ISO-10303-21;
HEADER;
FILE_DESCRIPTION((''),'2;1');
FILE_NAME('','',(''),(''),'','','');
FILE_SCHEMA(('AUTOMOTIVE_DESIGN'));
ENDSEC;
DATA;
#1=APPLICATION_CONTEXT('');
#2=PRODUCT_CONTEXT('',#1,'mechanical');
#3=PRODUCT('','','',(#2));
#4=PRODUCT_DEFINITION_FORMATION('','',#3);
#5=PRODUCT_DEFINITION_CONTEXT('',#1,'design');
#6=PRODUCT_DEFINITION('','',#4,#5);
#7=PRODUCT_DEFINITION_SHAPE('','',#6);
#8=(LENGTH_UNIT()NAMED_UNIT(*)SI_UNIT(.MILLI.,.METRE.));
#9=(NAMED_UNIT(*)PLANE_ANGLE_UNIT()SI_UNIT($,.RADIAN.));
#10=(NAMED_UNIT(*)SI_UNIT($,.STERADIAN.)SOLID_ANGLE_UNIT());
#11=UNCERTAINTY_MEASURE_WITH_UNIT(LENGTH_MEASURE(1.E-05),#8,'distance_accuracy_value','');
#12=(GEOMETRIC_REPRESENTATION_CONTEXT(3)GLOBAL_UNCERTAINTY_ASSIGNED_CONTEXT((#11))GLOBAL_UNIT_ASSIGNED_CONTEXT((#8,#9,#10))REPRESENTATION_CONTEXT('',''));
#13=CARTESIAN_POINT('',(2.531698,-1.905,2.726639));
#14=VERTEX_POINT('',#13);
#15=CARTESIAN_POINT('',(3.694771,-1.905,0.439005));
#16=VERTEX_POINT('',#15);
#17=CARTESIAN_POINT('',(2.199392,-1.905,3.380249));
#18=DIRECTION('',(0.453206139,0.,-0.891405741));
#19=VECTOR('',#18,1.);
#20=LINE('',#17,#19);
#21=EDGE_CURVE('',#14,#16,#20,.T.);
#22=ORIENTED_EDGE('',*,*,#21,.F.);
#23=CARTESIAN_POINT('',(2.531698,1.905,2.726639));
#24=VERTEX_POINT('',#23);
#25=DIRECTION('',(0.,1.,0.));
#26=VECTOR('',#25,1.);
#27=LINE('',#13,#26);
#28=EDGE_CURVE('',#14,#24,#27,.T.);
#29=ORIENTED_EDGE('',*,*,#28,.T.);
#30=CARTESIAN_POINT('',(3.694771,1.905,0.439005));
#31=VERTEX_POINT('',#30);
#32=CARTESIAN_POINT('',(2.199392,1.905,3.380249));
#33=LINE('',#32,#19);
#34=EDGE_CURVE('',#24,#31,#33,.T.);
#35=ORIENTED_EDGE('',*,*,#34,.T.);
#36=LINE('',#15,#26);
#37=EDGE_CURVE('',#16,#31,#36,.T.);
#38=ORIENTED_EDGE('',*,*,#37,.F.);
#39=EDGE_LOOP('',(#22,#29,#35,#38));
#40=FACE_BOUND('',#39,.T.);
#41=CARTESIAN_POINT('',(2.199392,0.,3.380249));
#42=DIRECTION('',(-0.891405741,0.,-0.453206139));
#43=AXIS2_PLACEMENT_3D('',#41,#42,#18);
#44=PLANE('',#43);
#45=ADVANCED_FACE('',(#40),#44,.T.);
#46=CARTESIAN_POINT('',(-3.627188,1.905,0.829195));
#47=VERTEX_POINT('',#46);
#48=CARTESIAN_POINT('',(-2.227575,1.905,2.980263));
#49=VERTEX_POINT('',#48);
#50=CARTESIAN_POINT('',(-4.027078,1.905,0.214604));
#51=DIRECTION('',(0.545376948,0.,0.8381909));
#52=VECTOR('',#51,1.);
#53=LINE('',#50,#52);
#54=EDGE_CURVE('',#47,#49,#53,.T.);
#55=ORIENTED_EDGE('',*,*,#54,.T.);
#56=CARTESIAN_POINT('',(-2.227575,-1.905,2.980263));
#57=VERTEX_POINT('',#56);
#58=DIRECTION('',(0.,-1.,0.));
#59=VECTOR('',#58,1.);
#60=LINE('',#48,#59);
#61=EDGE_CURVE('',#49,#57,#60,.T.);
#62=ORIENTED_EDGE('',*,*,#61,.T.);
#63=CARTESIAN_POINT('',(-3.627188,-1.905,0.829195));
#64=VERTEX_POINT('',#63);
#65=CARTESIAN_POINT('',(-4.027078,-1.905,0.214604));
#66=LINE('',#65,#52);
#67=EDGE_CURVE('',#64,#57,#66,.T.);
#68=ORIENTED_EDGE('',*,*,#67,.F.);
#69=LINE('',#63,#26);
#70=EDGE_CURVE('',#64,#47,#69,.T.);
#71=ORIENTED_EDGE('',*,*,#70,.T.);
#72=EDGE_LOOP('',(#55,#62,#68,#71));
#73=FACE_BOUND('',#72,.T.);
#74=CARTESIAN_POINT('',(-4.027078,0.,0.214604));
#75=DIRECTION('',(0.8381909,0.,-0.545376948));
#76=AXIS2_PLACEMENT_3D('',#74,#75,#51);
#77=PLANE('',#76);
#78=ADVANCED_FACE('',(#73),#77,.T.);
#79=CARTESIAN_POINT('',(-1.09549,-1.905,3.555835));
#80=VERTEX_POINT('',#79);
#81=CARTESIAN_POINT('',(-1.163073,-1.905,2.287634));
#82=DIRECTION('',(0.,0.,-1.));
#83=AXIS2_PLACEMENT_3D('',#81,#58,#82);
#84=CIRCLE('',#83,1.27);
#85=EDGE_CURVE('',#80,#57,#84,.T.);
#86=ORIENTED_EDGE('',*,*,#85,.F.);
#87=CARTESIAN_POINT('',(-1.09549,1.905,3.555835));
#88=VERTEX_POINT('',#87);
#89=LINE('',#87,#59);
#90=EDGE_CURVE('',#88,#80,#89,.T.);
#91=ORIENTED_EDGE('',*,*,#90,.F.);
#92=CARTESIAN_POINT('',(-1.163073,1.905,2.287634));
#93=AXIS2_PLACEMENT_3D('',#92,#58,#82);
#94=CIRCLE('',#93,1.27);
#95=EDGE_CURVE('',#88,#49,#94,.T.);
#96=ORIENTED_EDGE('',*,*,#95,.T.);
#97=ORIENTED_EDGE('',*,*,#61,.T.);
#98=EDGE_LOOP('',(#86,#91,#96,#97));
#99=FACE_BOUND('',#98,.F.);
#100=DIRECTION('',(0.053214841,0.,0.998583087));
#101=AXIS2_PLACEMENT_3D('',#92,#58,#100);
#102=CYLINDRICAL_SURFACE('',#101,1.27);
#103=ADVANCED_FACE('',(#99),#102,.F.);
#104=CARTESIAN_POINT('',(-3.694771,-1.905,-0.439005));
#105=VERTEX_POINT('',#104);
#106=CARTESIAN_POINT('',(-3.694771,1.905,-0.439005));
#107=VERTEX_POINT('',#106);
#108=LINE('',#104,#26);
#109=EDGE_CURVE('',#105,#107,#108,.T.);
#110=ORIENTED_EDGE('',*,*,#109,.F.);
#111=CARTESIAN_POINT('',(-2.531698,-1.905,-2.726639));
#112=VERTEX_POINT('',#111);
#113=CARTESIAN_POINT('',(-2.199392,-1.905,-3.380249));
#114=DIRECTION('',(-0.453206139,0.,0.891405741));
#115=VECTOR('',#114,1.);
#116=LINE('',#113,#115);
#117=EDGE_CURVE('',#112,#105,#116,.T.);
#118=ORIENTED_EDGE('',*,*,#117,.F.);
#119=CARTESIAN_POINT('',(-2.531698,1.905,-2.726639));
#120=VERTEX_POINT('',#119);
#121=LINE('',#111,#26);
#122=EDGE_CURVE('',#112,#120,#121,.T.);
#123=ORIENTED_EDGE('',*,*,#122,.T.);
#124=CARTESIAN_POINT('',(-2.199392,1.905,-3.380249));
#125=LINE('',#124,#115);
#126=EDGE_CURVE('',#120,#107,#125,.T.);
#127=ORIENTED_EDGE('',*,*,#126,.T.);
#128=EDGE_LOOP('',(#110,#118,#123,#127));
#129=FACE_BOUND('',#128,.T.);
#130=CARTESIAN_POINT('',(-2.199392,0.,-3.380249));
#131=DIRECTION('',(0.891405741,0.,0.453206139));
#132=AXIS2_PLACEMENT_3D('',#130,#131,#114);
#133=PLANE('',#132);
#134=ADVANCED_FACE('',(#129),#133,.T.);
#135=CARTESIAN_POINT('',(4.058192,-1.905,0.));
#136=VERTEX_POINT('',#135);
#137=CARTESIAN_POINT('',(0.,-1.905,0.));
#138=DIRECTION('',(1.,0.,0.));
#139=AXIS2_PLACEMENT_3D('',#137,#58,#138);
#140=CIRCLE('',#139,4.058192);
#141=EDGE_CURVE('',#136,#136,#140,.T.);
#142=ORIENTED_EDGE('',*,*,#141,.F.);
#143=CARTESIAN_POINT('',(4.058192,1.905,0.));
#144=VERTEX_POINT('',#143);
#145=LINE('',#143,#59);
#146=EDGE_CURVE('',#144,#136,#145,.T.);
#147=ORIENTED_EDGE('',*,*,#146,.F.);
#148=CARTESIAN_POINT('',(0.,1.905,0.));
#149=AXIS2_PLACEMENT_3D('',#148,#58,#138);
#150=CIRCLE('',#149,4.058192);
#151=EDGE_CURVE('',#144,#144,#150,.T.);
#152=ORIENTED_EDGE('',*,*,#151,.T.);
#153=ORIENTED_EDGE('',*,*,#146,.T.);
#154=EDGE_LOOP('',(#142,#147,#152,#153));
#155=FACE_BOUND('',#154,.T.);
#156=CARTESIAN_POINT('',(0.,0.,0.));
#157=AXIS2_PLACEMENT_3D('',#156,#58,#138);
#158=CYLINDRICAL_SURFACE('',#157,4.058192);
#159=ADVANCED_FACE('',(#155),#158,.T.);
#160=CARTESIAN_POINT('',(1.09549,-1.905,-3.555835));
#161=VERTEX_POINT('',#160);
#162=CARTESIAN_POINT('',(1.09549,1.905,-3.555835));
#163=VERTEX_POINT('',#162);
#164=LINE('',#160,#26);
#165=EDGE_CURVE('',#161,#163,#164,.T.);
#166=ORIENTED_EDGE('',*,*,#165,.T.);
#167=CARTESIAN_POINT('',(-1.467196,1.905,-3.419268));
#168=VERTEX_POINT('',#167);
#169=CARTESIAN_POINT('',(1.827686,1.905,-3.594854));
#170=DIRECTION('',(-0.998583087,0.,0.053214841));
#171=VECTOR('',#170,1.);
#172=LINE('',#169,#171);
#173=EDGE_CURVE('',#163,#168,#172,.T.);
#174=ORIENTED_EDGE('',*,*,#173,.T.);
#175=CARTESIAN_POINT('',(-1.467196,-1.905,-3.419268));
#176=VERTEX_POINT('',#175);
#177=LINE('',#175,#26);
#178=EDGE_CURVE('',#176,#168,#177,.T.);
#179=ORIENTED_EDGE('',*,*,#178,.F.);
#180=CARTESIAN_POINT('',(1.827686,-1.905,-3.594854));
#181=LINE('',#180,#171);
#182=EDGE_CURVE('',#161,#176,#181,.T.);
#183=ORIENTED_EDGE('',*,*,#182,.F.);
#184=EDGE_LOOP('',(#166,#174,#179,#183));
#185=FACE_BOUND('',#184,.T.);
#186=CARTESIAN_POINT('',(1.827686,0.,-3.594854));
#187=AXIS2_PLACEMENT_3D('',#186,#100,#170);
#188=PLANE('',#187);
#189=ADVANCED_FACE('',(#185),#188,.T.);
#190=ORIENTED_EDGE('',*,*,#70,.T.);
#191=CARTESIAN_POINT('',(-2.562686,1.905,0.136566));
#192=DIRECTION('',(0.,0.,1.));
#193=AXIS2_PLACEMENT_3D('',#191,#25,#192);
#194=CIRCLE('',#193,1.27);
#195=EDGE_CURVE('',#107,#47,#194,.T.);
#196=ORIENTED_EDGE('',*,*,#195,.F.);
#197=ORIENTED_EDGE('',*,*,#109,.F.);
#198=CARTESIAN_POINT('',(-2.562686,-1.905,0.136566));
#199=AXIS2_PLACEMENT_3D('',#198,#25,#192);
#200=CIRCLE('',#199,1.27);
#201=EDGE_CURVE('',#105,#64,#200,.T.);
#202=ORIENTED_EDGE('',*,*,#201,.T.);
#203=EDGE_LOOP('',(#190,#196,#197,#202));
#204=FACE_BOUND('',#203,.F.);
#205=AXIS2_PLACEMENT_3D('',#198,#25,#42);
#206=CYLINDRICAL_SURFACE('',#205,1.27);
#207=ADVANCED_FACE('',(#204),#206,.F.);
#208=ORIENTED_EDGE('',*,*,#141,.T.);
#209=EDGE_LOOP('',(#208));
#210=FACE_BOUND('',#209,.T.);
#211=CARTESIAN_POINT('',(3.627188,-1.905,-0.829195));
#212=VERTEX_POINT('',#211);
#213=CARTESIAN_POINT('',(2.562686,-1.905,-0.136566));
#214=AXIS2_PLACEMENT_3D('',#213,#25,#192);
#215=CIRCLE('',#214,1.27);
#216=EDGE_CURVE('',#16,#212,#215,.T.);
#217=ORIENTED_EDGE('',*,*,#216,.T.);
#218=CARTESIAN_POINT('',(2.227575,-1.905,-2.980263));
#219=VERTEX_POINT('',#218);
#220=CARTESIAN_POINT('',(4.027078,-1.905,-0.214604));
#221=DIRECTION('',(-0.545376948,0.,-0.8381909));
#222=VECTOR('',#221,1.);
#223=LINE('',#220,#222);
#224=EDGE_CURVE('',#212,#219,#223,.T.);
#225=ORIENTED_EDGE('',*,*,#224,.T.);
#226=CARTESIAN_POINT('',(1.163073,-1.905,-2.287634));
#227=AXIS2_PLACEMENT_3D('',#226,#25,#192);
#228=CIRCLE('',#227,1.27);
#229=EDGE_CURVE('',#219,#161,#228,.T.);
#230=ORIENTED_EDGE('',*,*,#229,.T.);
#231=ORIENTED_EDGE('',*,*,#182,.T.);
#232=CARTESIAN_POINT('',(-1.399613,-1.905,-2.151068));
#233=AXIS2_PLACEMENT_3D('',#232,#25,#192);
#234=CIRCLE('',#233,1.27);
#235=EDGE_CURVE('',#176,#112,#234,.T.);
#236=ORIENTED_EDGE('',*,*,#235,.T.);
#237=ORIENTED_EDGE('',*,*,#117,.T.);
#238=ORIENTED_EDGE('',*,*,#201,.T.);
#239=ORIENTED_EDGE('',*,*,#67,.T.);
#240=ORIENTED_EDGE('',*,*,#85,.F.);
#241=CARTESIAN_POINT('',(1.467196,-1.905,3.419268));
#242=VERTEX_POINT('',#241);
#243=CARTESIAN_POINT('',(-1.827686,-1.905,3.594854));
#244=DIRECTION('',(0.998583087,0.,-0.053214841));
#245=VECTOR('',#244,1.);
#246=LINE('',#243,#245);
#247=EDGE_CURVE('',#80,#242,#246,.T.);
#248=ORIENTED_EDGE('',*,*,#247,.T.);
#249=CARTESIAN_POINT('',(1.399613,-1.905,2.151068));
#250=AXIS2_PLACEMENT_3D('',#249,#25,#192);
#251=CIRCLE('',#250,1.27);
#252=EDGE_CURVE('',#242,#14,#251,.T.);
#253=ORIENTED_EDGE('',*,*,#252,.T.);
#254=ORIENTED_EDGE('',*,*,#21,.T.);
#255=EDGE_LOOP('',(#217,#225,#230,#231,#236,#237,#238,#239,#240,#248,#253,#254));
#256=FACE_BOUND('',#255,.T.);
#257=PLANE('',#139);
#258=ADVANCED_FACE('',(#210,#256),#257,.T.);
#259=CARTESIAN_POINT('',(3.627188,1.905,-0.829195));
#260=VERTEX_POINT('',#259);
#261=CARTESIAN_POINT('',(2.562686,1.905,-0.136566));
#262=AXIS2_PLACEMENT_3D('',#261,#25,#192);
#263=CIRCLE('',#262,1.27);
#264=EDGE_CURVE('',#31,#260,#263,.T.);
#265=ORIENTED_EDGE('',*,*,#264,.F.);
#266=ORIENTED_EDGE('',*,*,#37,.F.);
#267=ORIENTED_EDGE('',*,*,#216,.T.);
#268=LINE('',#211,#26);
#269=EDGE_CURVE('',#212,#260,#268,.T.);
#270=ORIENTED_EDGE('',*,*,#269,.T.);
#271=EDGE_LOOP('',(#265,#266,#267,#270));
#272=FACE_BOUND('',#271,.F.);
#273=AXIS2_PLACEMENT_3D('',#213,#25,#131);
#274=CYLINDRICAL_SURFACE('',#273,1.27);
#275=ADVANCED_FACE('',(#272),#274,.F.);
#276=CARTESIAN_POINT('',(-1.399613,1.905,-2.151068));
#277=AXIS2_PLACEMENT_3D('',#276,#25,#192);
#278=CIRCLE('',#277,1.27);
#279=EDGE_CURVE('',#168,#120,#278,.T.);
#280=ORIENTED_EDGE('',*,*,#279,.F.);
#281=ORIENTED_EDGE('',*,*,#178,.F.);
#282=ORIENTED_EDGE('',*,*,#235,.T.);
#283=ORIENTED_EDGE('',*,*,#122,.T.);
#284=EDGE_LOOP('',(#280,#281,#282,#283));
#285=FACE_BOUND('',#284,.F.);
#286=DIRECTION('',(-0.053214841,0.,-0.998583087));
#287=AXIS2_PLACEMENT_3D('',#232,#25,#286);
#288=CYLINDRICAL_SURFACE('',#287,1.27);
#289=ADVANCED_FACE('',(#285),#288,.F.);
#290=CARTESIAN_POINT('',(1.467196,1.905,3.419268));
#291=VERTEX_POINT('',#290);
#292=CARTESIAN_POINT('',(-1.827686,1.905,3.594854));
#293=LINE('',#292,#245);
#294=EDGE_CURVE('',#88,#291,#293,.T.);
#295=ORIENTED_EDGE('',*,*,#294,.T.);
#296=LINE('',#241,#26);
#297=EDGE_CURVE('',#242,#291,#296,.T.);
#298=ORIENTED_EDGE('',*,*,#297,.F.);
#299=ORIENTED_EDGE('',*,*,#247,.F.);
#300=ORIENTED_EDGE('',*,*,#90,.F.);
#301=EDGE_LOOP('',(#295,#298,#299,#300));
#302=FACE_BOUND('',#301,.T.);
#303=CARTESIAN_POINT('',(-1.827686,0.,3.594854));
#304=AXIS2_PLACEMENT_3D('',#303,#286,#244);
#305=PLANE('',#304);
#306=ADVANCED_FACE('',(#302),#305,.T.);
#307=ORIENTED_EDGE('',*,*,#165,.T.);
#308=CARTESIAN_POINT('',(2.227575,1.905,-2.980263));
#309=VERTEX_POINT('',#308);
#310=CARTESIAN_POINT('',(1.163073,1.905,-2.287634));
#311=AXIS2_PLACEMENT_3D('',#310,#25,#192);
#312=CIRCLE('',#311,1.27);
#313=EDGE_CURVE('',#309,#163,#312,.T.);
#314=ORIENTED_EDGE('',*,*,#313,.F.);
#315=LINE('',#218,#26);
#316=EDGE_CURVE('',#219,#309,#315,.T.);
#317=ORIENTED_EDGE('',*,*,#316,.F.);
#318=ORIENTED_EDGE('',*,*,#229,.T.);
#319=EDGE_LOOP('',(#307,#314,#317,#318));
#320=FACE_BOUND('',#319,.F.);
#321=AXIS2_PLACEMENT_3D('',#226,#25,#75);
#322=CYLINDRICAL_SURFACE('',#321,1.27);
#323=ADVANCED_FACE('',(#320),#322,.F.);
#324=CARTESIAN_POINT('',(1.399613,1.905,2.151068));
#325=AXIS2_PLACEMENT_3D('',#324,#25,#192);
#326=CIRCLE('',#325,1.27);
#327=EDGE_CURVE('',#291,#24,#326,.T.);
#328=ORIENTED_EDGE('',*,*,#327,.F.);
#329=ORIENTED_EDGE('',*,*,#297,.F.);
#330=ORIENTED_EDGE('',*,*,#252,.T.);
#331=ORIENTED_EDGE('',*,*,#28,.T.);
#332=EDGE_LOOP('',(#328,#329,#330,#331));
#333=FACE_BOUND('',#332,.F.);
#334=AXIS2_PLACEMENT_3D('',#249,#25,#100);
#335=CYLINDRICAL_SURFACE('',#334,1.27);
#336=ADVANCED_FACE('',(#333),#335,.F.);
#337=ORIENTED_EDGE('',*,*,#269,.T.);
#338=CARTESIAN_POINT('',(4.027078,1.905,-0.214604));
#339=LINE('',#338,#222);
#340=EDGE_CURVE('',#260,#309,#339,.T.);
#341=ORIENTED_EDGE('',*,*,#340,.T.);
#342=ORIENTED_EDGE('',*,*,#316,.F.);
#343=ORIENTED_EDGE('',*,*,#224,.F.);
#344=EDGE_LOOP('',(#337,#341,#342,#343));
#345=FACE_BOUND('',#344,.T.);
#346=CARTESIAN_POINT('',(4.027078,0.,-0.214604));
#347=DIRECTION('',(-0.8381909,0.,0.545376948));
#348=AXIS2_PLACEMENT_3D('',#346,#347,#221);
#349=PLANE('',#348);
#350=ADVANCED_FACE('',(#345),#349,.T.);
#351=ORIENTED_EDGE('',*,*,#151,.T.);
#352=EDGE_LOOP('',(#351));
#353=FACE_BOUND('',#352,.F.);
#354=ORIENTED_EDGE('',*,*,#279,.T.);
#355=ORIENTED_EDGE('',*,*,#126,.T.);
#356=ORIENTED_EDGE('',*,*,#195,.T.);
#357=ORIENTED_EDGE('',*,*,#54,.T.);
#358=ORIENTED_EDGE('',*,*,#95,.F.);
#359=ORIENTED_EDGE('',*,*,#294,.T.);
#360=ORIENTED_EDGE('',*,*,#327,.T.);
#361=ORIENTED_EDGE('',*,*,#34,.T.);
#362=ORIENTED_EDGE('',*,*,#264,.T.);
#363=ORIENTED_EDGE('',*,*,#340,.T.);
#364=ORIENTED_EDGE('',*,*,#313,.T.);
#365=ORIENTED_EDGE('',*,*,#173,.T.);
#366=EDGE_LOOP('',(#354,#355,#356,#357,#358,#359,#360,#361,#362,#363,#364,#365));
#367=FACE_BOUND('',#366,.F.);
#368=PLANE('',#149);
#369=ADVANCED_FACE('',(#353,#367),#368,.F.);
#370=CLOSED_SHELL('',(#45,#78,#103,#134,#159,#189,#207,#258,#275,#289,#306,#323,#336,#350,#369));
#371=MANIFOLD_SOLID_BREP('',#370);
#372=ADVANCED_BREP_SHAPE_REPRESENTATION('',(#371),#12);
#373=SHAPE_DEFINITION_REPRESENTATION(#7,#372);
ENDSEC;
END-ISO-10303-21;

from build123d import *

# Parameters (mm, degrees)
F0_R     = 4.0581916303
F1_DEPTH = 1.905
F2_R     = 1.27


with BuildPart() as f1:
    # F0 (on Front) → F1 (new body, symmetric)
    with BuildSketch(Plane.XZ):
        Circle(F0_R)
        Polygon((-1.8276859231, 3.5948536131), (2.1993915903, 3.3802492461), (4.0270775134, -0.2146043671), (1.8276859231, -3.5948536131), (-2.1993915903, -3.3802492461), (-4.0270775134, 0.2146043671), align=None, mode=Mode.SUBTRACT)
    extrude(amount=F1_DEPTH, both=True)

    # F2
    f2_edges = [f1.edges().sort_by_distance(p)[0] for p in [
        (-1.827686, 0, 3.594854),
        (2.199392, 0, 3.380249),
        (4.027078, 0, -0.214604),
        (-4.027078, 0, 0.214604),
        (-2.199392, 0, -3.380249),
        (1.827686, 0, -3.594854),
    ]]
    fillet(f2_edges, radius=F2_R)


solid = f1.part
